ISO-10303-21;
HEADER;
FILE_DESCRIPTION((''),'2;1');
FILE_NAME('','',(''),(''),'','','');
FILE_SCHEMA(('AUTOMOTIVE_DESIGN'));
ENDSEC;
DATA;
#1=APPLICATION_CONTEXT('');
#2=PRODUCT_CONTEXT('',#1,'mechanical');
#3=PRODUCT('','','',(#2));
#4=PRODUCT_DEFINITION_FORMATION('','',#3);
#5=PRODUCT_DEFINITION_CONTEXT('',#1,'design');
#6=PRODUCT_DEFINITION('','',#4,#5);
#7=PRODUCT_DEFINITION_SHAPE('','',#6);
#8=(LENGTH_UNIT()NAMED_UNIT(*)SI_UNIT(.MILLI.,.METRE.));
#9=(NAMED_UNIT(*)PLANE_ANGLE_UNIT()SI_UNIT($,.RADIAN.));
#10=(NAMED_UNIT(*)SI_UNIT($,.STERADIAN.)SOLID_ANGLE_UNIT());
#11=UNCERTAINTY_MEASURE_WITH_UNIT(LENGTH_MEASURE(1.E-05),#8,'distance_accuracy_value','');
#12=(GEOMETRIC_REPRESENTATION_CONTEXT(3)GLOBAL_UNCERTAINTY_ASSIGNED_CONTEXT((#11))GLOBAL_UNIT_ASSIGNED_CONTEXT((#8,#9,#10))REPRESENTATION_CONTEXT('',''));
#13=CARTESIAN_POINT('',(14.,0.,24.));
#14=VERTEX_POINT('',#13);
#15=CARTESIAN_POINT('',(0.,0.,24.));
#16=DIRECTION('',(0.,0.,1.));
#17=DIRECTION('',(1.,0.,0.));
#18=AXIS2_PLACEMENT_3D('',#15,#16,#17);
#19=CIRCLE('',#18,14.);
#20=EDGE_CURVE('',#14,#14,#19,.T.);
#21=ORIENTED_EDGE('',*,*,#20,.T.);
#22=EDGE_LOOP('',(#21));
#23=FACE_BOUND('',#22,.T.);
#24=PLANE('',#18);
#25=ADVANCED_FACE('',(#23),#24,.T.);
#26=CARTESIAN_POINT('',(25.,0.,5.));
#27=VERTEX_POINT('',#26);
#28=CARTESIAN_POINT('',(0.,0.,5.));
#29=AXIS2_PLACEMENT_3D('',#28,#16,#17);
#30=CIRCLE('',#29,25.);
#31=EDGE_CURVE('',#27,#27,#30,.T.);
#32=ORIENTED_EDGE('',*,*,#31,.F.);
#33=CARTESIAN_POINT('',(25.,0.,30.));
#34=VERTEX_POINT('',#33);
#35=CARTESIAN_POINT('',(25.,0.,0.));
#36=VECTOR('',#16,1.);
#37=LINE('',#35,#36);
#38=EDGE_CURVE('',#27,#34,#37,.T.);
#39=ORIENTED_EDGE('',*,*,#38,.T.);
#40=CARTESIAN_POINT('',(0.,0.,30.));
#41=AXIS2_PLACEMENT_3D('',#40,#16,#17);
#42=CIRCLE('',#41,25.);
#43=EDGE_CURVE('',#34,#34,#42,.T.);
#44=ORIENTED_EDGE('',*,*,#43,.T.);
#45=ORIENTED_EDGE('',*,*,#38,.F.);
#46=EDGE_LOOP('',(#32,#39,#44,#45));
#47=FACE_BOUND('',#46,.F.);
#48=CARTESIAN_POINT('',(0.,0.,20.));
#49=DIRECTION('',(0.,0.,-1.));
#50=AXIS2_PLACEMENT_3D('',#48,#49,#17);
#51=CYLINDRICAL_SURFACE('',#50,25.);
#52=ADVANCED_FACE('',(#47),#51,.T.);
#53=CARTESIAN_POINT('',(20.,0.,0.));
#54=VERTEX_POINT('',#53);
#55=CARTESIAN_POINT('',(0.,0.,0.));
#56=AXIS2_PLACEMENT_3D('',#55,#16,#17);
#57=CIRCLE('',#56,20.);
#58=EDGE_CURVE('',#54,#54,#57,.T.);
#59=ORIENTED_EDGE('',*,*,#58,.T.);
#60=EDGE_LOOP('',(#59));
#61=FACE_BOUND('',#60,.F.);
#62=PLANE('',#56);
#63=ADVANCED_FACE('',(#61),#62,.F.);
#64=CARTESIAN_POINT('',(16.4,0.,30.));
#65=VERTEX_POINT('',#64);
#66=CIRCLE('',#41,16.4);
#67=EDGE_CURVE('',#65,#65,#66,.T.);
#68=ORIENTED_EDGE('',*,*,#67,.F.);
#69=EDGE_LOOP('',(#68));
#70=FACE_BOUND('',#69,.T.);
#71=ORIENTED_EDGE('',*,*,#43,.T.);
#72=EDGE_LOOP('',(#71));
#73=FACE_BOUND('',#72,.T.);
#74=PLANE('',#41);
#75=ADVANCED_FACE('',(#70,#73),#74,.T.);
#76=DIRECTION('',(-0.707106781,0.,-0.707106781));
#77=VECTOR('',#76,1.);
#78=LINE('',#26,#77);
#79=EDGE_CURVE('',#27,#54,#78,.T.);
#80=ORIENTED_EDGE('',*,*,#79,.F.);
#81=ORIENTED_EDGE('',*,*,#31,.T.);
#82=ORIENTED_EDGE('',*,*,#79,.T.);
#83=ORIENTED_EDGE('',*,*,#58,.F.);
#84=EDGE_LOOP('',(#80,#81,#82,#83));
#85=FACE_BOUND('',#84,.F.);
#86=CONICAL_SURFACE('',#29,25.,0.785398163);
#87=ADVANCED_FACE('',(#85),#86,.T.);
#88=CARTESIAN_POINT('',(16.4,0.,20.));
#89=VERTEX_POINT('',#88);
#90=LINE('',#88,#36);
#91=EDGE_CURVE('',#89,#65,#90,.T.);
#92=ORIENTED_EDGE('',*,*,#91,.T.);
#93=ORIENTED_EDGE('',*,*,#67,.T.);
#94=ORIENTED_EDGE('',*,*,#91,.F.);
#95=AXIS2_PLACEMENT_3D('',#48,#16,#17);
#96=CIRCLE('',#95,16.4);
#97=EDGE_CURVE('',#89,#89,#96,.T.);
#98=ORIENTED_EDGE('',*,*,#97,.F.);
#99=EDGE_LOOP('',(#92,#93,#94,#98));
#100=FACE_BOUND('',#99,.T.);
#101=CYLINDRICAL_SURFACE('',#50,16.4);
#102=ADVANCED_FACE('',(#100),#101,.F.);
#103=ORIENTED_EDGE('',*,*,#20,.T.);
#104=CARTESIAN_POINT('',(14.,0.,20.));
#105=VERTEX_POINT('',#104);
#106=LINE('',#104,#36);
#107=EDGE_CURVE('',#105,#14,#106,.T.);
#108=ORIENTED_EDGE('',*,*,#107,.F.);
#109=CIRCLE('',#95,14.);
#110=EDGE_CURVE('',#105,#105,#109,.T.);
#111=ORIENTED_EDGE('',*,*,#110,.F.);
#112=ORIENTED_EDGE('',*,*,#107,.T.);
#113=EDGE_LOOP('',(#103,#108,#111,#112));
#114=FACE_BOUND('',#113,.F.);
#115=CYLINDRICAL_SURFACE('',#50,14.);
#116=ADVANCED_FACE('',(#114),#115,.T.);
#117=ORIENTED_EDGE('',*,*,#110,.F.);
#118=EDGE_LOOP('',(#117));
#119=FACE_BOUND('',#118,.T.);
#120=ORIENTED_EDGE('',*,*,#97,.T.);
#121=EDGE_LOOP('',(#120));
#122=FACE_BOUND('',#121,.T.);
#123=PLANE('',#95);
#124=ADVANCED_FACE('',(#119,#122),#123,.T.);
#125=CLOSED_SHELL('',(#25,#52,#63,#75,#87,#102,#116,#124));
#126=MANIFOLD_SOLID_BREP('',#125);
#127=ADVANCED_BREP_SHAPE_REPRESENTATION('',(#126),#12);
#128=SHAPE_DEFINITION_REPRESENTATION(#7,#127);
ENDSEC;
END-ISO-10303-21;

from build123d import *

# Parameters (mm, degrees)
F0_R     = 25
F1_DEPTH = 20
F2_R     = 14
F3_DEPTH = 4
F2_R_2   = 25
F2_R_3   = 16.4
F4_DEPTH = 10
F5_SIZE  = 5


with BuildPart() as f1:
    # F0 (on Top) → F1 (new body)
    with BuildSketch(Plane.XY):
        Circle(F0_R)
    extrude(amount=F1_DEPTH)

    # F2 (on face) → F3 (join)
    with BuildSketch(Plane.XY.offset(20)):
        Circle(F2_R)
    extrude(amount=F3_DEPTH)

    # F2 (on face) → F4 (join)
    with BuildSketch(Plane.XY.offset(20)):
        Circle(F2_R_2)
        Circle(F2_R_3, mode=Mode.SUBTRACT)
    extrude(amount=F4_DEPTH)

    # F5
    f5_edges = [f1.edges().sort_by_distance(p)[0] for p in [
        (-25, 0, 0),
    ]]
    chamfer(f5_edges, length=F5_SIZE)


solid = f1.part
